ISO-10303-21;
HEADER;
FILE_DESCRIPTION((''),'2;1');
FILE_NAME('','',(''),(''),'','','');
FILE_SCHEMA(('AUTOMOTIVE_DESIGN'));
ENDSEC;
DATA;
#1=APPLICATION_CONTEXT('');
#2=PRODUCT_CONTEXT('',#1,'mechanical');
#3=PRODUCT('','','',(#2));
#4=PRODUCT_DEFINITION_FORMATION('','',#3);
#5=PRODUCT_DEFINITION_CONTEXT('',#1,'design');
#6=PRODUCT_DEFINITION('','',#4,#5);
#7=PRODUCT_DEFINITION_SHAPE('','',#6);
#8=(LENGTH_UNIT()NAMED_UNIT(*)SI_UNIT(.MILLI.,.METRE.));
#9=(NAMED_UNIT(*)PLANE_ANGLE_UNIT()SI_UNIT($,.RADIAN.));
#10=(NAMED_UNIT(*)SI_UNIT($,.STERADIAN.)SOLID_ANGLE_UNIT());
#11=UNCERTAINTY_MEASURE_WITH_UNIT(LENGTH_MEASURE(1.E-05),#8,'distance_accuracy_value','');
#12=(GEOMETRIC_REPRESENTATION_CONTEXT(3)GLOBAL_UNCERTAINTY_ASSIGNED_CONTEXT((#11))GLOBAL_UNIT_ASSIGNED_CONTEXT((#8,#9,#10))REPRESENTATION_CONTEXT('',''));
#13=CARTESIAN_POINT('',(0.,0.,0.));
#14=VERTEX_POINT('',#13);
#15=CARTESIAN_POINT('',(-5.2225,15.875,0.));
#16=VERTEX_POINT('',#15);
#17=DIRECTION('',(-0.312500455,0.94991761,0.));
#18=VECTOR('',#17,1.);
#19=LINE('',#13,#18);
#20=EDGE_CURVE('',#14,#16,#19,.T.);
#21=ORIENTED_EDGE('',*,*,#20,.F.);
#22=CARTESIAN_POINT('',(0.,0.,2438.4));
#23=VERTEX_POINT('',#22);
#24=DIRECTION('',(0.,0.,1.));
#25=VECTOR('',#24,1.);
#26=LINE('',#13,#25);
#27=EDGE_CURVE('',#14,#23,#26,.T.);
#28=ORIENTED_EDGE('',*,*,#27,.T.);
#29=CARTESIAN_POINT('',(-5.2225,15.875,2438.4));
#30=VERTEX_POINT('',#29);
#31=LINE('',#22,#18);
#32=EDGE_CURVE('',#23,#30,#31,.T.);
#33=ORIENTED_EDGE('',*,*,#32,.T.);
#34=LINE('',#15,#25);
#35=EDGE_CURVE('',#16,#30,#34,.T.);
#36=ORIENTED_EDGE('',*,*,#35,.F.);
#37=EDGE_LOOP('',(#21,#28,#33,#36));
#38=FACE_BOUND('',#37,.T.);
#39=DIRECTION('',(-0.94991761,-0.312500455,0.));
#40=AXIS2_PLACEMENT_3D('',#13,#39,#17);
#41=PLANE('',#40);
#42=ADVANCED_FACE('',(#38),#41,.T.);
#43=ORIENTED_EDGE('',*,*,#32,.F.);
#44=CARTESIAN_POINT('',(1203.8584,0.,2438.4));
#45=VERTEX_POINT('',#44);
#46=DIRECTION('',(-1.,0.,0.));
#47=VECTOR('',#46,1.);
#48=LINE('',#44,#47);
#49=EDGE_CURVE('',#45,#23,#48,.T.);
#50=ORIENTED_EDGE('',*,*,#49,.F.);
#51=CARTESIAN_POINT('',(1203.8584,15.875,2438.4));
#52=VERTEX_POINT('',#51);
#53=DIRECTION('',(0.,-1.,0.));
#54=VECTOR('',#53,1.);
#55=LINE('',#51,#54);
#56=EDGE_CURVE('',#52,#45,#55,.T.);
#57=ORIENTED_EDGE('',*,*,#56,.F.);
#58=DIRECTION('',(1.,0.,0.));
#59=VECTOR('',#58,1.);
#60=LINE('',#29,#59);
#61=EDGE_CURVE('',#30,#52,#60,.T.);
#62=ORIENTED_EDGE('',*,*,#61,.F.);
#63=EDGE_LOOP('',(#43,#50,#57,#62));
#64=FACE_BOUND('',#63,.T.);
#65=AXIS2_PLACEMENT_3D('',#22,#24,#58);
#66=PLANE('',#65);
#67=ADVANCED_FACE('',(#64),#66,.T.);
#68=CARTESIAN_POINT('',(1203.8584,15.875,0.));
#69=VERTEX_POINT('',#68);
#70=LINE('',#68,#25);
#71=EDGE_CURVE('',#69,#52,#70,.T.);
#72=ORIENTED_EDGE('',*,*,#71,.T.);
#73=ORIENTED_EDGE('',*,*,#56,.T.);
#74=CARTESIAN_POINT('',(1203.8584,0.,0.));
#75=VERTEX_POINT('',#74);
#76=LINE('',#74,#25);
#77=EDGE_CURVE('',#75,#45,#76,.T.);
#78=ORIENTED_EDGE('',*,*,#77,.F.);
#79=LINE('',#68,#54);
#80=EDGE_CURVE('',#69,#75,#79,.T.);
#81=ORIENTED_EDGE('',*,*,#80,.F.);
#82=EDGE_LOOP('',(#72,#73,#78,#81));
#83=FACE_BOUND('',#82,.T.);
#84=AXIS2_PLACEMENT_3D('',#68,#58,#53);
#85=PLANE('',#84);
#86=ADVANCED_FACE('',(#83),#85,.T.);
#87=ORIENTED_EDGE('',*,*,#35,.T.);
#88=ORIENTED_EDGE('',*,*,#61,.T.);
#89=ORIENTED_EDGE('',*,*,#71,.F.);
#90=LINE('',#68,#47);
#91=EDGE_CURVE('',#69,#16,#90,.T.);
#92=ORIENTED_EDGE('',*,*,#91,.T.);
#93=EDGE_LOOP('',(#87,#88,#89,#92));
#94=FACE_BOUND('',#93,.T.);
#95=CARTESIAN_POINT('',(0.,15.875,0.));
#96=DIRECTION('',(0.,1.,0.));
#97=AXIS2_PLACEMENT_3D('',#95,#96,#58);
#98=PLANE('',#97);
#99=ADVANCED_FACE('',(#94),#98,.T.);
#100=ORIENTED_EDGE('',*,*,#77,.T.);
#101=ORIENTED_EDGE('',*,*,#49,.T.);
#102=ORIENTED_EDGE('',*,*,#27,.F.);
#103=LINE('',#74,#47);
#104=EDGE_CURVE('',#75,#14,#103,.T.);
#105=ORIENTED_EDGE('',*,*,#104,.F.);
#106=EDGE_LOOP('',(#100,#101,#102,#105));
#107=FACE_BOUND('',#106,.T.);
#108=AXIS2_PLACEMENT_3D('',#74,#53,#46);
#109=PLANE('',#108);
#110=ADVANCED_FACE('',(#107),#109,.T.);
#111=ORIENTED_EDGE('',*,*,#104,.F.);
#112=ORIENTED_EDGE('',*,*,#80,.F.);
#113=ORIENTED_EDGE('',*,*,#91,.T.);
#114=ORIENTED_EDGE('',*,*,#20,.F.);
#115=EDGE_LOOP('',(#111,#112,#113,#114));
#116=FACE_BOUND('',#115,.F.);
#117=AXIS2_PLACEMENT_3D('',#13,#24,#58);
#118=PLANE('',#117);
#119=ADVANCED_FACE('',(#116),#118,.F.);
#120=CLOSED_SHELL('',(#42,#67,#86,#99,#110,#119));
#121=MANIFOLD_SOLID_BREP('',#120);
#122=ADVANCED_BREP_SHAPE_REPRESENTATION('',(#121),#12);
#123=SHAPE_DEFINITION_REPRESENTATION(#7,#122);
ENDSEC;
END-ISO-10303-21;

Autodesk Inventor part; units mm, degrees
ref_plane "YZ Plane" through (0, 0, 0) normal (1, 0, 0) x (0, 1, 0)
ref_plane "XZ Plane" through (0, 0, 0) normal (0, 1, 0) x (-1, 0, 0)
ref_plane "XY Plane" through (0, 0, 0) normal (0, 0, 1) x (1, 0, 0)
sketch "Sketch2" plane through (0, 0, 0) normal (0, 0, 1) x (1, 0, 0)
  line L0 (0, 0) -> (-5.2225, 15.875)
  line L1 (-5.2225, 15.875) -> (1203.8584, 15.875)
  line L2 (1203.8584, 15.875) -> (1203.8584, 0)
  line L3 (1203.8584, 0) -> (0, 0)
  line L4 (0, 0) -> (0, 15.875)
  dimension "d8" = 15.875
  dimension "d9" = 18.21
  dimension "d14" = 1203.8584
extrude "Extrusion2" add sketch "Sketch2" along normal blind 2438.4
properties part number "OSB_For_Roof_With_Dimensions_45.796_x_48" material "Wood (Birch)"
